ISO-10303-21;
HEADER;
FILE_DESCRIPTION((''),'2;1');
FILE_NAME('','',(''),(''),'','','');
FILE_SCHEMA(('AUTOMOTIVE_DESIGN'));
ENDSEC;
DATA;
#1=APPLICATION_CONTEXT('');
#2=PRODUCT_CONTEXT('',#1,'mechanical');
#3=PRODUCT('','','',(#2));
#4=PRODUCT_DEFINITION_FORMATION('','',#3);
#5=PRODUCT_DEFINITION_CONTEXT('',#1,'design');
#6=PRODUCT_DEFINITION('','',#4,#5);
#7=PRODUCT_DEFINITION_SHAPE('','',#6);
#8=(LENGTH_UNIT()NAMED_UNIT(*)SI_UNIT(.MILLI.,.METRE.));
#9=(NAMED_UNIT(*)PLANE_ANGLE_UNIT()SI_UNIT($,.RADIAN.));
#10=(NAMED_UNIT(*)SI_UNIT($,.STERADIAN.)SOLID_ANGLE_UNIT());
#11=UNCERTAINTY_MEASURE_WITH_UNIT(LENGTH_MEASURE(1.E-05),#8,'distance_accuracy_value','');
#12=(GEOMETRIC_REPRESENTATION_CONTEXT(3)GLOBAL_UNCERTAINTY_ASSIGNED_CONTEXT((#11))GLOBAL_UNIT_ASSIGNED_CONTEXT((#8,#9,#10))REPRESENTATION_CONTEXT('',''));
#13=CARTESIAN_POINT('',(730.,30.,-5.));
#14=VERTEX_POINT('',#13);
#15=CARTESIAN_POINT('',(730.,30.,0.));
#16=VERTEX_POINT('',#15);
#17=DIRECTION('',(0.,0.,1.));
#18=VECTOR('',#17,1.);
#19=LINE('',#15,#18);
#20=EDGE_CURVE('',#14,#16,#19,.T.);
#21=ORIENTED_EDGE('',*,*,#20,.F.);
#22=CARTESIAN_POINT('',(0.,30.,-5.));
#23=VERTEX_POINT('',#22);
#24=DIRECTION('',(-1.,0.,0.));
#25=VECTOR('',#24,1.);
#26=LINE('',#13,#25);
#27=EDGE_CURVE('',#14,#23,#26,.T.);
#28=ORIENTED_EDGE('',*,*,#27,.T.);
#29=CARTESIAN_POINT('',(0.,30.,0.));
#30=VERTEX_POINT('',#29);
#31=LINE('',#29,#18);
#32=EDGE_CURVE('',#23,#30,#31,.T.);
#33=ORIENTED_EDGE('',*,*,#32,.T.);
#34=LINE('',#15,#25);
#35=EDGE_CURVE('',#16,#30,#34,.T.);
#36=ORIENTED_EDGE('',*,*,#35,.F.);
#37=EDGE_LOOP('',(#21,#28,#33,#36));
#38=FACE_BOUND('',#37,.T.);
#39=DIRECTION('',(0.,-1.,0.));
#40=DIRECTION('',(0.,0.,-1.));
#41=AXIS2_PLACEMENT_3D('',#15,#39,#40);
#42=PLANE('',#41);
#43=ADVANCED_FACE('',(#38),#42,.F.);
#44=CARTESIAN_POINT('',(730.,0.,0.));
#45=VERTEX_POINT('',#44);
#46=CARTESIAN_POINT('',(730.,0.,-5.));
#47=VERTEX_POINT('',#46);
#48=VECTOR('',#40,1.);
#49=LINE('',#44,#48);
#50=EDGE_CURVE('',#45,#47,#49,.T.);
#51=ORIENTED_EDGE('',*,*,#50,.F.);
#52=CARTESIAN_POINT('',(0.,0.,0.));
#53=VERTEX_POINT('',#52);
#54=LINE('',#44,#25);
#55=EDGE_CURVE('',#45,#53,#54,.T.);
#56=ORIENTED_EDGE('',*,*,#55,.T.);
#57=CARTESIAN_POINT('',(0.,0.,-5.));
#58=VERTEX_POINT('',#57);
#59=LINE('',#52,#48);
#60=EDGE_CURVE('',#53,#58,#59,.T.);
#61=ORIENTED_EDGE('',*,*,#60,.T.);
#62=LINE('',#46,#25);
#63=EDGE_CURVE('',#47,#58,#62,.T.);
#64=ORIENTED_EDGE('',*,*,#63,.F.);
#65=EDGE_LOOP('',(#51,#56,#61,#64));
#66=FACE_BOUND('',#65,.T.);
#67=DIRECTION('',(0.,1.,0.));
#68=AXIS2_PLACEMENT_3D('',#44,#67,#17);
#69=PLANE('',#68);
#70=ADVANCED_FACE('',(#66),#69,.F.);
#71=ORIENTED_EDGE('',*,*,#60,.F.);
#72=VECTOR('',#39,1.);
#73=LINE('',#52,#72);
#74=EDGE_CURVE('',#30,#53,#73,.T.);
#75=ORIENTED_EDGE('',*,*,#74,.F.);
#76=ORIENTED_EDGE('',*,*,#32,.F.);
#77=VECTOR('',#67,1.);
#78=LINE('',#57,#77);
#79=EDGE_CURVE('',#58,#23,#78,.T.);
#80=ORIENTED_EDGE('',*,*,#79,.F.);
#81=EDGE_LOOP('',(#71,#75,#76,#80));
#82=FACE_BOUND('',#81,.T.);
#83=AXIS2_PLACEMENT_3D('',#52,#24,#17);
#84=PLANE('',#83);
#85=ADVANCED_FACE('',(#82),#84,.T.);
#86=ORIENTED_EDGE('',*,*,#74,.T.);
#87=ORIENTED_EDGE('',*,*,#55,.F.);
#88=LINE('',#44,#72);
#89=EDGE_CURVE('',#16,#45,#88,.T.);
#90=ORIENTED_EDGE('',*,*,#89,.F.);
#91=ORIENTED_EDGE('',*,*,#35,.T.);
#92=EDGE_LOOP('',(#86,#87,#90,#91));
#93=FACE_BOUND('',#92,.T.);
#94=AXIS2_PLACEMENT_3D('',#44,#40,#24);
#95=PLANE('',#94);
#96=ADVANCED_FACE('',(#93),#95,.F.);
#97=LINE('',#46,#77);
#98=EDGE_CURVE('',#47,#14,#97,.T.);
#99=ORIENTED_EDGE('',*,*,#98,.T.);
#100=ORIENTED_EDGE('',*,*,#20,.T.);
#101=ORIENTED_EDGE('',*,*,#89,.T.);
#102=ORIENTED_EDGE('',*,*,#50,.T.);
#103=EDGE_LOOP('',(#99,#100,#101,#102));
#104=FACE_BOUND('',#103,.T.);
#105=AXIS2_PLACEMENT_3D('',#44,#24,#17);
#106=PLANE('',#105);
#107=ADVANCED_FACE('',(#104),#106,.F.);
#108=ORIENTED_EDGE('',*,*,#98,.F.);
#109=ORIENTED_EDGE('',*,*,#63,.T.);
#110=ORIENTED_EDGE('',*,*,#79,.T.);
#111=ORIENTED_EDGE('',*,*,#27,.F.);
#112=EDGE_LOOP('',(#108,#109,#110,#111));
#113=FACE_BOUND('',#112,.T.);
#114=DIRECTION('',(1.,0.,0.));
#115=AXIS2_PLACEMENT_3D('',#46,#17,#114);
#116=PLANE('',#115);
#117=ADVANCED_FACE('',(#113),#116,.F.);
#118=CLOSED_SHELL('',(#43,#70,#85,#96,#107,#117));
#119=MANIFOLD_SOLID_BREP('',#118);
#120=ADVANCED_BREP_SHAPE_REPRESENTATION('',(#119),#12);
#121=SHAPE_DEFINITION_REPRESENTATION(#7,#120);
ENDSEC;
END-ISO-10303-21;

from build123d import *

# Parameters (mm, degrees)
SKETCH_1_W      = 5
SKETCH_1_H      = 30
EXTRUDE_1_DEPTH = 730


with BuildPart() as part:
    # Эскиз1 → Бобышка-Вытянуть1 (new body)
    with BuildSketch(Plane(origin=(0, 0, 0), x_dir=(0, 0, -1), z_dir=(1, 0, 0))):
        with Locations((2.5, 15)):
            Rectangle(SKETCH_1_W, SKETCH_1_H)
    extrude(amount=EXTRUDE_1_DEPTH)


solid = part.part
